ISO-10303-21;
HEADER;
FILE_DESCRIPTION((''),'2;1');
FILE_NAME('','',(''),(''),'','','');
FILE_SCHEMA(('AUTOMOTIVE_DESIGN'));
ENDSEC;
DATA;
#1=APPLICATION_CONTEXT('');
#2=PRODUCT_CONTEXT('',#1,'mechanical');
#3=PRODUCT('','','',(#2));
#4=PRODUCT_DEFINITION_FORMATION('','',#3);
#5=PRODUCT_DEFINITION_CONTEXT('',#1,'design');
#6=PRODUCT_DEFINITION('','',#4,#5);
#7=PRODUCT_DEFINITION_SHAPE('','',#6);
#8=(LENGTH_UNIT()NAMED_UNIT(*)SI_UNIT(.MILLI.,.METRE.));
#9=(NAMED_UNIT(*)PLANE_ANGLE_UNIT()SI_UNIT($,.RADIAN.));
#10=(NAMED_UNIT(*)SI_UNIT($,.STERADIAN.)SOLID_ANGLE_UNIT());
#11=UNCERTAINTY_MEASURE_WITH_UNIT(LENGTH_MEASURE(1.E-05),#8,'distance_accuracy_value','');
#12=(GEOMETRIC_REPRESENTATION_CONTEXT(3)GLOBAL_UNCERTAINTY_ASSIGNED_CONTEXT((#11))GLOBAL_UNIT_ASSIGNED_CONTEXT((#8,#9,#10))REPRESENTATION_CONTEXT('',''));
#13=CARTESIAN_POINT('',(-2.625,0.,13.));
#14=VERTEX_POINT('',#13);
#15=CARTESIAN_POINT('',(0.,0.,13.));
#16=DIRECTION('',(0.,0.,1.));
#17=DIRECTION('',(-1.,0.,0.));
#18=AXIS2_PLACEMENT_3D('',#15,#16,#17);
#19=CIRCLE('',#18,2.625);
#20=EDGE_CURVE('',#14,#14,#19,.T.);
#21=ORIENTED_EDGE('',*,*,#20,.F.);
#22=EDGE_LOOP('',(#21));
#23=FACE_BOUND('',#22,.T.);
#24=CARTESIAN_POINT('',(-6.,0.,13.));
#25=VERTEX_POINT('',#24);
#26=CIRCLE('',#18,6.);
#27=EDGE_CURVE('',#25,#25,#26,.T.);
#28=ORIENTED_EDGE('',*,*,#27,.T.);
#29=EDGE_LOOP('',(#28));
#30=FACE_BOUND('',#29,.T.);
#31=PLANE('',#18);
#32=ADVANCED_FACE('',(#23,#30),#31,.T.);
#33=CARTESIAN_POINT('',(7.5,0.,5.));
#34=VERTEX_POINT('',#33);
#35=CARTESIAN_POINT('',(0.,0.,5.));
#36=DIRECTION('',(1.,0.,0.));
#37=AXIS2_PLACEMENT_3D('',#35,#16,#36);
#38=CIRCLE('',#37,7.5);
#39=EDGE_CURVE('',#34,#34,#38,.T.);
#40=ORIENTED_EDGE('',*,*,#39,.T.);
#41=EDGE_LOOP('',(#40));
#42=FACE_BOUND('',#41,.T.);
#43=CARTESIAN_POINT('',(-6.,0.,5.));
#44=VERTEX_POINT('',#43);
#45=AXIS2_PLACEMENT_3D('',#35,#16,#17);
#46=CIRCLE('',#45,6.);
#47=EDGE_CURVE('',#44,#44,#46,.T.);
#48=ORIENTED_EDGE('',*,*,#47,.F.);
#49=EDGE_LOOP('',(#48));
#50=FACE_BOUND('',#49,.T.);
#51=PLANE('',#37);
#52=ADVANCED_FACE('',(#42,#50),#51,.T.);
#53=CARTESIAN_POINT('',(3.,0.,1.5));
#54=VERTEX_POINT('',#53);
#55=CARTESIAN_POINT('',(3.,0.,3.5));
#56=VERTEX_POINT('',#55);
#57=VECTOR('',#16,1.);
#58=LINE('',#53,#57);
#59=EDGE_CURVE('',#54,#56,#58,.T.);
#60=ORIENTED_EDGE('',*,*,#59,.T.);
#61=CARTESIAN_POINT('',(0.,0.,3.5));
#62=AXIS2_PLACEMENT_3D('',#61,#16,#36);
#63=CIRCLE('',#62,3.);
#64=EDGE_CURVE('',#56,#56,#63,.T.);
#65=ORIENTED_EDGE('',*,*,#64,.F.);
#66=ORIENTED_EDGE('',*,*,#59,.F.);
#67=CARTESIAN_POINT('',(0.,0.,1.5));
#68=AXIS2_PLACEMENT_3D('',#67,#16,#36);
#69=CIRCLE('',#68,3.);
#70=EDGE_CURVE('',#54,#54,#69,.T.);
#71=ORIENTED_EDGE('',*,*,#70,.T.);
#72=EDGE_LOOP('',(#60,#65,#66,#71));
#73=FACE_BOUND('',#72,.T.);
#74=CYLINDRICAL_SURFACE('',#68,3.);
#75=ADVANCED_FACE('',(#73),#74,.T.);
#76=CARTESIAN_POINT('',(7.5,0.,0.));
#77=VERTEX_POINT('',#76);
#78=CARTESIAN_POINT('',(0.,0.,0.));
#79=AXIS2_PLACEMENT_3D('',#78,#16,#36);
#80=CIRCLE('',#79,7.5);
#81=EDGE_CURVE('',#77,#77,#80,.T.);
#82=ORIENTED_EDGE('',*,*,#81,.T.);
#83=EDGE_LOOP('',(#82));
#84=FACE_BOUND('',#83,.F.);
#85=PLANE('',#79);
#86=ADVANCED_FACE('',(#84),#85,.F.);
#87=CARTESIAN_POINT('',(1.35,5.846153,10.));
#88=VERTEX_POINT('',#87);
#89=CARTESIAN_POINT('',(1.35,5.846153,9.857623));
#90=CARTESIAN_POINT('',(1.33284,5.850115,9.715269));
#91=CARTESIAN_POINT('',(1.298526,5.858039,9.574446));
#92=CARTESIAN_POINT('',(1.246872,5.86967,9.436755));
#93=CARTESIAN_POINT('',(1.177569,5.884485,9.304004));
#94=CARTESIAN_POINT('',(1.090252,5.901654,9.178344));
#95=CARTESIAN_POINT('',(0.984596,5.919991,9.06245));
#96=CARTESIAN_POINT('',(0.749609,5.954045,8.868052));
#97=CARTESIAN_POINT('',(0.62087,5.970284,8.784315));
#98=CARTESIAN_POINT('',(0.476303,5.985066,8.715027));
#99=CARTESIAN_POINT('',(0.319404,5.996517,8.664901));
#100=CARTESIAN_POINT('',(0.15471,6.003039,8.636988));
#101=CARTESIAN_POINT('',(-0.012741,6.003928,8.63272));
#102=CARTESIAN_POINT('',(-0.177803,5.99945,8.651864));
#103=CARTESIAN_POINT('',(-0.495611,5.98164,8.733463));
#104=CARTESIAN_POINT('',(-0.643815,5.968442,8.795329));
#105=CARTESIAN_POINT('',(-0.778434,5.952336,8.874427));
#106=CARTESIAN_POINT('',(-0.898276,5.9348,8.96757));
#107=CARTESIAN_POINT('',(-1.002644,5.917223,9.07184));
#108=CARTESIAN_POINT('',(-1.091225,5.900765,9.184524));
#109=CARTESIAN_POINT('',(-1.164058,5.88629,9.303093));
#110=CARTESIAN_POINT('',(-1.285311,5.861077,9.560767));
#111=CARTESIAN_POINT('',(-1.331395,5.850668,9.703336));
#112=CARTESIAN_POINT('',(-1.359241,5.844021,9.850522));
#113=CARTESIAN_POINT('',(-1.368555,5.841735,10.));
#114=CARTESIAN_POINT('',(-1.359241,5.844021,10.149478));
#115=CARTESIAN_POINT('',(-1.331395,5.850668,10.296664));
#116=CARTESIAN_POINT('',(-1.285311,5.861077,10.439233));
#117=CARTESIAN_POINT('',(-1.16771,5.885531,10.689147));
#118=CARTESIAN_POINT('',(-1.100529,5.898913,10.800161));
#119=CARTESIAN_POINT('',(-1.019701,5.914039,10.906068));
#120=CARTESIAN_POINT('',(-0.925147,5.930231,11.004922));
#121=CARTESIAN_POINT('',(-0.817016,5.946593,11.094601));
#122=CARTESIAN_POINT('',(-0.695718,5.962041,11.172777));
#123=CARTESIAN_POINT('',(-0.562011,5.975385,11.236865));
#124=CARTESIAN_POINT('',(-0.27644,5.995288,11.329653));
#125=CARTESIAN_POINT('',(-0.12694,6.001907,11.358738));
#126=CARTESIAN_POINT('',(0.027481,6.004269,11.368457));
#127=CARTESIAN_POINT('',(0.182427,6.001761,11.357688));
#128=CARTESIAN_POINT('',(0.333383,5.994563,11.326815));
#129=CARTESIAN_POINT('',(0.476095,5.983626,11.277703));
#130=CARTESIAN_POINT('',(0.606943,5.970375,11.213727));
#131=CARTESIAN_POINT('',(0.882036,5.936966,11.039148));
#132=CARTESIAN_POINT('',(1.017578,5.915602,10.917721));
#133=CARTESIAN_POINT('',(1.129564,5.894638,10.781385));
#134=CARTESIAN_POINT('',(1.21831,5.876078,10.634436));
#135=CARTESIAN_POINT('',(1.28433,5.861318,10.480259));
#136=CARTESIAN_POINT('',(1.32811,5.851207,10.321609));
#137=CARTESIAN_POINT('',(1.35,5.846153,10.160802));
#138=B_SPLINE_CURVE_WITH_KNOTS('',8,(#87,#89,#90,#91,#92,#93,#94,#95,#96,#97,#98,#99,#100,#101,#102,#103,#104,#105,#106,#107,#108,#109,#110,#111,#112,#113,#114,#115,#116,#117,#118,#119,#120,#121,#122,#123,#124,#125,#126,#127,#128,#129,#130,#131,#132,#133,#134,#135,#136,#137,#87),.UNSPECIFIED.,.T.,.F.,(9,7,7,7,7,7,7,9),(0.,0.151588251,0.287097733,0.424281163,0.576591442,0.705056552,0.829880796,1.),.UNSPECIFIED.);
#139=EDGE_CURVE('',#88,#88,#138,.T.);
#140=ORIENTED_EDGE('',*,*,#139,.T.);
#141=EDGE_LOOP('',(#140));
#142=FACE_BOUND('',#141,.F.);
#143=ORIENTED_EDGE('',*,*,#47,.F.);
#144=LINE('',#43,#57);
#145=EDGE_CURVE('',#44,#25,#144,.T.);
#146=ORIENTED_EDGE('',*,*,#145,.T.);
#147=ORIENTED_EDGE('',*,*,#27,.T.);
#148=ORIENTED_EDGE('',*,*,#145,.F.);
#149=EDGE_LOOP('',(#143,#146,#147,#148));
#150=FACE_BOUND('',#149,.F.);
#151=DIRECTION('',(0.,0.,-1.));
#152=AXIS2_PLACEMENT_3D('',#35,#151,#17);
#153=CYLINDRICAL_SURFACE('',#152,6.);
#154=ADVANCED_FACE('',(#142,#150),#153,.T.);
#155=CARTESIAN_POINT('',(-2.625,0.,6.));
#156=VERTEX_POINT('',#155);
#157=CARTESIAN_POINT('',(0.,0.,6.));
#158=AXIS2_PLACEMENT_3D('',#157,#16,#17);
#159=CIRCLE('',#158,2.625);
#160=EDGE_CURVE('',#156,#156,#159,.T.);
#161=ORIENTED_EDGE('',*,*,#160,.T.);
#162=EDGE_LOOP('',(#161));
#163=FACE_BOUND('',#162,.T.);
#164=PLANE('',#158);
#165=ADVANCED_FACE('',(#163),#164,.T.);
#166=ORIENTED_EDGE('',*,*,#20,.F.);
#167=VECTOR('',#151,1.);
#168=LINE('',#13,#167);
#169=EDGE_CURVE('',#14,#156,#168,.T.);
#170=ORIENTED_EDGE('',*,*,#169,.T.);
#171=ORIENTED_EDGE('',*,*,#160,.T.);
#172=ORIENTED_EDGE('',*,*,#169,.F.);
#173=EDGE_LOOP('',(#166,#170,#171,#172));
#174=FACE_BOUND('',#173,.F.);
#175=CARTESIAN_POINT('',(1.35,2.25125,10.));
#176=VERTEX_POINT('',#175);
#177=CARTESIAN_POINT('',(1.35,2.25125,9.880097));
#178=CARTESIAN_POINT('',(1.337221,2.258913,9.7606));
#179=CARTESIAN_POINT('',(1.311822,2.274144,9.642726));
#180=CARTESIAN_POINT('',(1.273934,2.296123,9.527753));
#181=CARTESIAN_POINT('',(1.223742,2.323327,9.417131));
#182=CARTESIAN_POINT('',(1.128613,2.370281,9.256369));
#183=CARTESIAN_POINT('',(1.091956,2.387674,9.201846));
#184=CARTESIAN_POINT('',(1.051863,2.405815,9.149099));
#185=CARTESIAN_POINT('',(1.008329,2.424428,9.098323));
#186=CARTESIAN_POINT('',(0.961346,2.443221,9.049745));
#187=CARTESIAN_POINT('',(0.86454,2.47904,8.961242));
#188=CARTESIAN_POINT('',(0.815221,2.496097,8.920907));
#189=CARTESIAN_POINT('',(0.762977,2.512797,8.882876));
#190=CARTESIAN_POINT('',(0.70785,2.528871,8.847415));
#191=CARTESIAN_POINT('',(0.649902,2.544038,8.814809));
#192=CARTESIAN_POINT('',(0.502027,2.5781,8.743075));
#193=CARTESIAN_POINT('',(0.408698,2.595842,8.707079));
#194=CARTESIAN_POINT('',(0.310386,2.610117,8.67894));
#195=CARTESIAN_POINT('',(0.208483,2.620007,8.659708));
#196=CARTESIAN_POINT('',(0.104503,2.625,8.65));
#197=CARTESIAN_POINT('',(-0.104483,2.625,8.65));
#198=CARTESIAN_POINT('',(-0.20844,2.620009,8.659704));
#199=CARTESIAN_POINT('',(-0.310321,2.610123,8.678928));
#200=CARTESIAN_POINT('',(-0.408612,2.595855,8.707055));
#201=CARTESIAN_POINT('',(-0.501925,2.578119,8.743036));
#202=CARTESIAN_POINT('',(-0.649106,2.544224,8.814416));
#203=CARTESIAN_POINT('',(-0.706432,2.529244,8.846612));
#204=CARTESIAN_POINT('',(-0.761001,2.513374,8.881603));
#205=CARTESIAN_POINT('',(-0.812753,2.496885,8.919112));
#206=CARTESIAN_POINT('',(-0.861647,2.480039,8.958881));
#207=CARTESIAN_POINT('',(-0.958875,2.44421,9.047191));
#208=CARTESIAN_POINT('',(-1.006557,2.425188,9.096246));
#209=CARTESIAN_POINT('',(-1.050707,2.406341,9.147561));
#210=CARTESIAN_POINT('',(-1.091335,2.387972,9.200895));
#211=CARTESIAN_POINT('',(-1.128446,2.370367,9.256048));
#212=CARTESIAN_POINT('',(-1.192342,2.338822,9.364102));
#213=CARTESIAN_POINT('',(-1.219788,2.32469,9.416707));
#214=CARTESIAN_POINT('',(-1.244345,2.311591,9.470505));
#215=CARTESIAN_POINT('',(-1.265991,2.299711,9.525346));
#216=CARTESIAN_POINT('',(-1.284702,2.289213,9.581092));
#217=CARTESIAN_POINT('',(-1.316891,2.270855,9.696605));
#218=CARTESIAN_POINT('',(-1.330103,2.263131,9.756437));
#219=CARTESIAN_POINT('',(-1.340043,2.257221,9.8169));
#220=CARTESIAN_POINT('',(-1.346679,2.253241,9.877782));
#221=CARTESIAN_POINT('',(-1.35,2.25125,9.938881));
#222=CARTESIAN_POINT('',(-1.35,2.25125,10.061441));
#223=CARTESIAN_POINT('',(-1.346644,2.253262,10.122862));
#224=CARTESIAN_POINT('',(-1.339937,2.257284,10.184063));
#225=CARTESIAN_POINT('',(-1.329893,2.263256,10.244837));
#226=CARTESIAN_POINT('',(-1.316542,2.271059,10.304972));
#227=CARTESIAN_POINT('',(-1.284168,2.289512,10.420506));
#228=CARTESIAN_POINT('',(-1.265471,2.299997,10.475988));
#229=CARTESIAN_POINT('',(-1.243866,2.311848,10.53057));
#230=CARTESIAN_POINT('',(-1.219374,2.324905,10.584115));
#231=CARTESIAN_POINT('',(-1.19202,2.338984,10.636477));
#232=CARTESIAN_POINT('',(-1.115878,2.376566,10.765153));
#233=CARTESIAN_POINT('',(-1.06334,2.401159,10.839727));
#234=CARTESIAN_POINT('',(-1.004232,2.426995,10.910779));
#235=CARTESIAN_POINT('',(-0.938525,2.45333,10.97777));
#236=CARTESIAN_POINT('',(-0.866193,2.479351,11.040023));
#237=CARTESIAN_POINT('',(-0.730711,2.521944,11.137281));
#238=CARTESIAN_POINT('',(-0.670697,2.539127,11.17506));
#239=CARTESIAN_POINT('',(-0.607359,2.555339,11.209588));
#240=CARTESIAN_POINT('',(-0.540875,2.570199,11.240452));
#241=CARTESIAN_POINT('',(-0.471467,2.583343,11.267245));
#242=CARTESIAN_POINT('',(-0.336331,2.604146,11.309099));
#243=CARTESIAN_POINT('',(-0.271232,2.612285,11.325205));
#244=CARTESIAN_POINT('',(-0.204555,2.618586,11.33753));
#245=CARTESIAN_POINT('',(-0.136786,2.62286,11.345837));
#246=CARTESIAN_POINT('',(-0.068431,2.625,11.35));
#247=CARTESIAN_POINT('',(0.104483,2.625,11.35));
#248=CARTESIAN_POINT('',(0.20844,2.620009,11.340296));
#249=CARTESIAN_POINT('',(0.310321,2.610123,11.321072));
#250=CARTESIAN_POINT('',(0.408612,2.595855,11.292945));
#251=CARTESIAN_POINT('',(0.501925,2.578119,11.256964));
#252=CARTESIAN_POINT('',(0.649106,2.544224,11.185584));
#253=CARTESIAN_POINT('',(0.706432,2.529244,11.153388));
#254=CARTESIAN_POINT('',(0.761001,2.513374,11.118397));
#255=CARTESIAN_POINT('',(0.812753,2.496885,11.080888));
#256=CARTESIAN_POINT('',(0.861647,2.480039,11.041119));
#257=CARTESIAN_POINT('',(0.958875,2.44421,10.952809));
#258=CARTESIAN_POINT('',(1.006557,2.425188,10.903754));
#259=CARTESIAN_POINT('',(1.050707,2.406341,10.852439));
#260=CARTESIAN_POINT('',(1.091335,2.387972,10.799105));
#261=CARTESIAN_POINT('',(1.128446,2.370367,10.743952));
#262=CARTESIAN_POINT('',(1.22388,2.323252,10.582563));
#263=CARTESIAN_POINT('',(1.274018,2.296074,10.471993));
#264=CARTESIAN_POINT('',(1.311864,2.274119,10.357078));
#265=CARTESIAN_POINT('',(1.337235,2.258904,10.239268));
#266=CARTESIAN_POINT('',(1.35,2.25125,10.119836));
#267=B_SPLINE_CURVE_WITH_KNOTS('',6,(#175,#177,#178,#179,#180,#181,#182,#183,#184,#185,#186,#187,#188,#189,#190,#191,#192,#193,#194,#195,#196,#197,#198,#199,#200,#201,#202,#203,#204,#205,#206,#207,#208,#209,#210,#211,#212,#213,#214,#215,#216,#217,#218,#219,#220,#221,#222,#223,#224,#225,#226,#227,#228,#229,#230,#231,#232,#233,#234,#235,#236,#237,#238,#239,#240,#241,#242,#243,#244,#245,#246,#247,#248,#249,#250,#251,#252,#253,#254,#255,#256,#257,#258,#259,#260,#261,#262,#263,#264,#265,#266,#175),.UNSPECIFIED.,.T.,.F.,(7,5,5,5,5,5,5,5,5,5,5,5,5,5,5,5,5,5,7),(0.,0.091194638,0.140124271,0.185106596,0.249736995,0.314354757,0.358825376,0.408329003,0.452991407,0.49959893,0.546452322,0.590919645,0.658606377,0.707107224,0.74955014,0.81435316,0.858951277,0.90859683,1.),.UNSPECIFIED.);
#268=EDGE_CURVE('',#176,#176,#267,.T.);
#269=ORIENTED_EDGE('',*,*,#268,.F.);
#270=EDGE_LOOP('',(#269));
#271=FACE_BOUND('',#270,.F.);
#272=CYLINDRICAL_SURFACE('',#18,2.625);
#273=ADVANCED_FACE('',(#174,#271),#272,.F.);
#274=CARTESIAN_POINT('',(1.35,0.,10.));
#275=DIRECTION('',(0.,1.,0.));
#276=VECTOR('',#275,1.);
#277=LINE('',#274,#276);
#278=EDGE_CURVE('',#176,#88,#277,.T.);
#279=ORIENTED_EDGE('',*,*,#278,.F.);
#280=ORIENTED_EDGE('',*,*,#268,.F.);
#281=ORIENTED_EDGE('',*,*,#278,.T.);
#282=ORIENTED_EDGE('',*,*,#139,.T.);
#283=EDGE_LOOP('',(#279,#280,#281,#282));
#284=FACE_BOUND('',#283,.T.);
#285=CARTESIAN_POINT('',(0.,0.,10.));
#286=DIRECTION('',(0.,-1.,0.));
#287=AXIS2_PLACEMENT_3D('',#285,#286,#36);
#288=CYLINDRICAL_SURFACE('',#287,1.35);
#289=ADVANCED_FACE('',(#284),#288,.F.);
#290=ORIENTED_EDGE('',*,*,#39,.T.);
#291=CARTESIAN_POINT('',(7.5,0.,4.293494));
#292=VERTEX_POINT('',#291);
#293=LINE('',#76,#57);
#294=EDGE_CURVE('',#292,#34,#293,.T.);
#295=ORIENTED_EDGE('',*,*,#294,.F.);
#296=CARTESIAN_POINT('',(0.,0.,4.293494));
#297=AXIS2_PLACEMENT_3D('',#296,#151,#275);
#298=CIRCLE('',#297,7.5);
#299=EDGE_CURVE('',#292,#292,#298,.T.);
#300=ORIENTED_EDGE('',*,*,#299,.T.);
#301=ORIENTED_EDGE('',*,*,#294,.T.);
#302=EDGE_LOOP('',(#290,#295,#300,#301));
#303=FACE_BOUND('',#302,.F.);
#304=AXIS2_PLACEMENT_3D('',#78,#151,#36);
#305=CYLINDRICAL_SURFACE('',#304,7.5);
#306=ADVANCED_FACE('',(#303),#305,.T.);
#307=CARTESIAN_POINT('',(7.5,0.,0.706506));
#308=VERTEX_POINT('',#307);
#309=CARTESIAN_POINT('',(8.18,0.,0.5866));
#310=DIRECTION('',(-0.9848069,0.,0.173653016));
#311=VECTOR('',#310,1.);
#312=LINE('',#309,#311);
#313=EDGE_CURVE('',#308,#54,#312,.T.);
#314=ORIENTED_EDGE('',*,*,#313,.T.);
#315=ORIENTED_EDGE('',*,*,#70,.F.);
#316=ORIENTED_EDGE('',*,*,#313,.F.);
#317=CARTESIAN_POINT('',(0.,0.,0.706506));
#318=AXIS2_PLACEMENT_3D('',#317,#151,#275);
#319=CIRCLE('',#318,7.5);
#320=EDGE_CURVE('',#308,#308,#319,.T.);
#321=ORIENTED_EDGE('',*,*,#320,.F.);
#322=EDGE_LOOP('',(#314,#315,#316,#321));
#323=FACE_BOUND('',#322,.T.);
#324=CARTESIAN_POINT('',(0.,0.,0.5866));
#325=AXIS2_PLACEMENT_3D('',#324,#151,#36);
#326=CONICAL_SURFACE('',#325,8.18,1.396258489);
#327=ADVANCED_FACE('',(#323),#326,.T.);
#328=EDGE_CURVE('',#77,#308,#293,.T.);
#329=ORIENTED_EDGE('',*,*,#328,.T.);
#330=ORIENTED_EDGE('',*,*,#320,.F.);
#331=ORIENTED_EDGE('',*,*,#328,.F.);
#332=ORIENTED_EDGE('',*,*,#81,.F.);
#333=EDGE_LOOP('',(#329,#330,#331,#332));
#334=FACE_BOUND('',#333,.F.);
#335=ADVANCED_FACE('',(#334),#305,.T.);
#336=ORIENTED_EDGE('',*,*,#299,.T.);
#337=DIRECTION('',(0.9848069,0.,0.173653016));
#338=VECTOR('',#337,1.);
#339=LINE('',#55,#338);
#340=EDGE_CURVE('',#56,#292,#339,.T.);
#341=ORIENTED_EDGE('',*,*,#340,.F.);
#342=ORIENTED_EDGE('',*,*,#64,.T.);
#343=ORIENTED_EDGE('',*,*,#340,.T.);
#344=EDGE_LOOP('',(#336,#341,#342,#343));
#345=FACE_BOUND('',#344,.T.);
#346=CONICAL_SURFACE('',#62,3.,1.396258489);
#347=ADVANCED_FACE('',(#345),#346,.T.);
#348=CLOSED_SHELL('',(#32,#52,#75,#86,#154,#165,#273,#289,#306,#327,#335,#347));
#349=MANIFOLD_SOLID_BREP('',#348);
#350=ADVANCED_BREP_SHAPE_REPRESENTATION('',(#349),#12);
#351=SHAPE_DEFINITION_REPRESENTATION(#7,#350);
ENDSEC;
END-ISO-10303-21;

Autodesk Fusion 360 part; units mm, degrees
sketch "Esquisse1" plane through (0, 0, 0) normal (0, 0, 1) x (1, 0, 0)
  circle A0 centre (0, 0) radius 7.5
  dimension "d1" = 15
extrude "Extrusion1" add sketch "Esquisse1" along normal blind 5
sketch "Esquisse2" plane through (0, 0, 0) normal (0, 1, 0) x (1, 0, 0)
sketch "Esquisse3" plane through (0, 0, 0) normal (0, 1, 0) x (1, 0, 0)
  line L0 (3, -3.5) -> (8.18, -4.4134)
  line L1 (8.18, -4.4134) -> (8.18, -0.5866)
  line L2 (8.18, -0.5866) -> (3, -1.5)
  line L3 (3, -1.5) -> (3, -3.5)
  line L4 (0, -1.75) -> (0, -22.5)
  dimension "d4" = 2
  dimension "d6" = 1.5
  dimension "d7" = 100
  dimension "d8" = 100
  dimension "d9" = 3
revolve "Révolution1" cut sketch "Esquisse3" angle 360 about axis through (0, 0, 1.75) along (0, 0, 1)
sketch "Esquisse4" plane through (0, 0, 5) normal (0, 0, 1) x (-1, 0, 0)
  circle A0 centre (0, 0) radius 7.5
  circle A1 centre (0, 0) radius 6
  dimension "d11" = 12
extrude "Extrusion2" add sketch "Esquisse4" along normal blind 8 contours A1
sketch "Esquisse5" plane through (0, 0, 13) normal (0, 0, 1) x (-1, 0, 0)
  circle A0 centre (0, 0) radius 6
  circle A1 centre (0, 0) radius 2.625
  dimension "d14" = 5.25
sketch "Esquisse6" plane through (0, 0, 13) normal (0, 0, 1) x (1, 0, 0)
extrude "Extrusion3" cut sketch "Esquisse5" against normal blind 7 contours A1
sketch "Esquisse7" plane through (0, 0, 0) normal (0, 1, 0) x (1, 0, 0)
  circle A0 centre (0, -10) radius 1.35
  line L0 (-6, -13) -> (6, -13)
  dimension "d17" = 2.7
  dimension "d18" = 3
extrude "Extrusion4" cut sketch "Esquisse7" along normal blind 15.5
